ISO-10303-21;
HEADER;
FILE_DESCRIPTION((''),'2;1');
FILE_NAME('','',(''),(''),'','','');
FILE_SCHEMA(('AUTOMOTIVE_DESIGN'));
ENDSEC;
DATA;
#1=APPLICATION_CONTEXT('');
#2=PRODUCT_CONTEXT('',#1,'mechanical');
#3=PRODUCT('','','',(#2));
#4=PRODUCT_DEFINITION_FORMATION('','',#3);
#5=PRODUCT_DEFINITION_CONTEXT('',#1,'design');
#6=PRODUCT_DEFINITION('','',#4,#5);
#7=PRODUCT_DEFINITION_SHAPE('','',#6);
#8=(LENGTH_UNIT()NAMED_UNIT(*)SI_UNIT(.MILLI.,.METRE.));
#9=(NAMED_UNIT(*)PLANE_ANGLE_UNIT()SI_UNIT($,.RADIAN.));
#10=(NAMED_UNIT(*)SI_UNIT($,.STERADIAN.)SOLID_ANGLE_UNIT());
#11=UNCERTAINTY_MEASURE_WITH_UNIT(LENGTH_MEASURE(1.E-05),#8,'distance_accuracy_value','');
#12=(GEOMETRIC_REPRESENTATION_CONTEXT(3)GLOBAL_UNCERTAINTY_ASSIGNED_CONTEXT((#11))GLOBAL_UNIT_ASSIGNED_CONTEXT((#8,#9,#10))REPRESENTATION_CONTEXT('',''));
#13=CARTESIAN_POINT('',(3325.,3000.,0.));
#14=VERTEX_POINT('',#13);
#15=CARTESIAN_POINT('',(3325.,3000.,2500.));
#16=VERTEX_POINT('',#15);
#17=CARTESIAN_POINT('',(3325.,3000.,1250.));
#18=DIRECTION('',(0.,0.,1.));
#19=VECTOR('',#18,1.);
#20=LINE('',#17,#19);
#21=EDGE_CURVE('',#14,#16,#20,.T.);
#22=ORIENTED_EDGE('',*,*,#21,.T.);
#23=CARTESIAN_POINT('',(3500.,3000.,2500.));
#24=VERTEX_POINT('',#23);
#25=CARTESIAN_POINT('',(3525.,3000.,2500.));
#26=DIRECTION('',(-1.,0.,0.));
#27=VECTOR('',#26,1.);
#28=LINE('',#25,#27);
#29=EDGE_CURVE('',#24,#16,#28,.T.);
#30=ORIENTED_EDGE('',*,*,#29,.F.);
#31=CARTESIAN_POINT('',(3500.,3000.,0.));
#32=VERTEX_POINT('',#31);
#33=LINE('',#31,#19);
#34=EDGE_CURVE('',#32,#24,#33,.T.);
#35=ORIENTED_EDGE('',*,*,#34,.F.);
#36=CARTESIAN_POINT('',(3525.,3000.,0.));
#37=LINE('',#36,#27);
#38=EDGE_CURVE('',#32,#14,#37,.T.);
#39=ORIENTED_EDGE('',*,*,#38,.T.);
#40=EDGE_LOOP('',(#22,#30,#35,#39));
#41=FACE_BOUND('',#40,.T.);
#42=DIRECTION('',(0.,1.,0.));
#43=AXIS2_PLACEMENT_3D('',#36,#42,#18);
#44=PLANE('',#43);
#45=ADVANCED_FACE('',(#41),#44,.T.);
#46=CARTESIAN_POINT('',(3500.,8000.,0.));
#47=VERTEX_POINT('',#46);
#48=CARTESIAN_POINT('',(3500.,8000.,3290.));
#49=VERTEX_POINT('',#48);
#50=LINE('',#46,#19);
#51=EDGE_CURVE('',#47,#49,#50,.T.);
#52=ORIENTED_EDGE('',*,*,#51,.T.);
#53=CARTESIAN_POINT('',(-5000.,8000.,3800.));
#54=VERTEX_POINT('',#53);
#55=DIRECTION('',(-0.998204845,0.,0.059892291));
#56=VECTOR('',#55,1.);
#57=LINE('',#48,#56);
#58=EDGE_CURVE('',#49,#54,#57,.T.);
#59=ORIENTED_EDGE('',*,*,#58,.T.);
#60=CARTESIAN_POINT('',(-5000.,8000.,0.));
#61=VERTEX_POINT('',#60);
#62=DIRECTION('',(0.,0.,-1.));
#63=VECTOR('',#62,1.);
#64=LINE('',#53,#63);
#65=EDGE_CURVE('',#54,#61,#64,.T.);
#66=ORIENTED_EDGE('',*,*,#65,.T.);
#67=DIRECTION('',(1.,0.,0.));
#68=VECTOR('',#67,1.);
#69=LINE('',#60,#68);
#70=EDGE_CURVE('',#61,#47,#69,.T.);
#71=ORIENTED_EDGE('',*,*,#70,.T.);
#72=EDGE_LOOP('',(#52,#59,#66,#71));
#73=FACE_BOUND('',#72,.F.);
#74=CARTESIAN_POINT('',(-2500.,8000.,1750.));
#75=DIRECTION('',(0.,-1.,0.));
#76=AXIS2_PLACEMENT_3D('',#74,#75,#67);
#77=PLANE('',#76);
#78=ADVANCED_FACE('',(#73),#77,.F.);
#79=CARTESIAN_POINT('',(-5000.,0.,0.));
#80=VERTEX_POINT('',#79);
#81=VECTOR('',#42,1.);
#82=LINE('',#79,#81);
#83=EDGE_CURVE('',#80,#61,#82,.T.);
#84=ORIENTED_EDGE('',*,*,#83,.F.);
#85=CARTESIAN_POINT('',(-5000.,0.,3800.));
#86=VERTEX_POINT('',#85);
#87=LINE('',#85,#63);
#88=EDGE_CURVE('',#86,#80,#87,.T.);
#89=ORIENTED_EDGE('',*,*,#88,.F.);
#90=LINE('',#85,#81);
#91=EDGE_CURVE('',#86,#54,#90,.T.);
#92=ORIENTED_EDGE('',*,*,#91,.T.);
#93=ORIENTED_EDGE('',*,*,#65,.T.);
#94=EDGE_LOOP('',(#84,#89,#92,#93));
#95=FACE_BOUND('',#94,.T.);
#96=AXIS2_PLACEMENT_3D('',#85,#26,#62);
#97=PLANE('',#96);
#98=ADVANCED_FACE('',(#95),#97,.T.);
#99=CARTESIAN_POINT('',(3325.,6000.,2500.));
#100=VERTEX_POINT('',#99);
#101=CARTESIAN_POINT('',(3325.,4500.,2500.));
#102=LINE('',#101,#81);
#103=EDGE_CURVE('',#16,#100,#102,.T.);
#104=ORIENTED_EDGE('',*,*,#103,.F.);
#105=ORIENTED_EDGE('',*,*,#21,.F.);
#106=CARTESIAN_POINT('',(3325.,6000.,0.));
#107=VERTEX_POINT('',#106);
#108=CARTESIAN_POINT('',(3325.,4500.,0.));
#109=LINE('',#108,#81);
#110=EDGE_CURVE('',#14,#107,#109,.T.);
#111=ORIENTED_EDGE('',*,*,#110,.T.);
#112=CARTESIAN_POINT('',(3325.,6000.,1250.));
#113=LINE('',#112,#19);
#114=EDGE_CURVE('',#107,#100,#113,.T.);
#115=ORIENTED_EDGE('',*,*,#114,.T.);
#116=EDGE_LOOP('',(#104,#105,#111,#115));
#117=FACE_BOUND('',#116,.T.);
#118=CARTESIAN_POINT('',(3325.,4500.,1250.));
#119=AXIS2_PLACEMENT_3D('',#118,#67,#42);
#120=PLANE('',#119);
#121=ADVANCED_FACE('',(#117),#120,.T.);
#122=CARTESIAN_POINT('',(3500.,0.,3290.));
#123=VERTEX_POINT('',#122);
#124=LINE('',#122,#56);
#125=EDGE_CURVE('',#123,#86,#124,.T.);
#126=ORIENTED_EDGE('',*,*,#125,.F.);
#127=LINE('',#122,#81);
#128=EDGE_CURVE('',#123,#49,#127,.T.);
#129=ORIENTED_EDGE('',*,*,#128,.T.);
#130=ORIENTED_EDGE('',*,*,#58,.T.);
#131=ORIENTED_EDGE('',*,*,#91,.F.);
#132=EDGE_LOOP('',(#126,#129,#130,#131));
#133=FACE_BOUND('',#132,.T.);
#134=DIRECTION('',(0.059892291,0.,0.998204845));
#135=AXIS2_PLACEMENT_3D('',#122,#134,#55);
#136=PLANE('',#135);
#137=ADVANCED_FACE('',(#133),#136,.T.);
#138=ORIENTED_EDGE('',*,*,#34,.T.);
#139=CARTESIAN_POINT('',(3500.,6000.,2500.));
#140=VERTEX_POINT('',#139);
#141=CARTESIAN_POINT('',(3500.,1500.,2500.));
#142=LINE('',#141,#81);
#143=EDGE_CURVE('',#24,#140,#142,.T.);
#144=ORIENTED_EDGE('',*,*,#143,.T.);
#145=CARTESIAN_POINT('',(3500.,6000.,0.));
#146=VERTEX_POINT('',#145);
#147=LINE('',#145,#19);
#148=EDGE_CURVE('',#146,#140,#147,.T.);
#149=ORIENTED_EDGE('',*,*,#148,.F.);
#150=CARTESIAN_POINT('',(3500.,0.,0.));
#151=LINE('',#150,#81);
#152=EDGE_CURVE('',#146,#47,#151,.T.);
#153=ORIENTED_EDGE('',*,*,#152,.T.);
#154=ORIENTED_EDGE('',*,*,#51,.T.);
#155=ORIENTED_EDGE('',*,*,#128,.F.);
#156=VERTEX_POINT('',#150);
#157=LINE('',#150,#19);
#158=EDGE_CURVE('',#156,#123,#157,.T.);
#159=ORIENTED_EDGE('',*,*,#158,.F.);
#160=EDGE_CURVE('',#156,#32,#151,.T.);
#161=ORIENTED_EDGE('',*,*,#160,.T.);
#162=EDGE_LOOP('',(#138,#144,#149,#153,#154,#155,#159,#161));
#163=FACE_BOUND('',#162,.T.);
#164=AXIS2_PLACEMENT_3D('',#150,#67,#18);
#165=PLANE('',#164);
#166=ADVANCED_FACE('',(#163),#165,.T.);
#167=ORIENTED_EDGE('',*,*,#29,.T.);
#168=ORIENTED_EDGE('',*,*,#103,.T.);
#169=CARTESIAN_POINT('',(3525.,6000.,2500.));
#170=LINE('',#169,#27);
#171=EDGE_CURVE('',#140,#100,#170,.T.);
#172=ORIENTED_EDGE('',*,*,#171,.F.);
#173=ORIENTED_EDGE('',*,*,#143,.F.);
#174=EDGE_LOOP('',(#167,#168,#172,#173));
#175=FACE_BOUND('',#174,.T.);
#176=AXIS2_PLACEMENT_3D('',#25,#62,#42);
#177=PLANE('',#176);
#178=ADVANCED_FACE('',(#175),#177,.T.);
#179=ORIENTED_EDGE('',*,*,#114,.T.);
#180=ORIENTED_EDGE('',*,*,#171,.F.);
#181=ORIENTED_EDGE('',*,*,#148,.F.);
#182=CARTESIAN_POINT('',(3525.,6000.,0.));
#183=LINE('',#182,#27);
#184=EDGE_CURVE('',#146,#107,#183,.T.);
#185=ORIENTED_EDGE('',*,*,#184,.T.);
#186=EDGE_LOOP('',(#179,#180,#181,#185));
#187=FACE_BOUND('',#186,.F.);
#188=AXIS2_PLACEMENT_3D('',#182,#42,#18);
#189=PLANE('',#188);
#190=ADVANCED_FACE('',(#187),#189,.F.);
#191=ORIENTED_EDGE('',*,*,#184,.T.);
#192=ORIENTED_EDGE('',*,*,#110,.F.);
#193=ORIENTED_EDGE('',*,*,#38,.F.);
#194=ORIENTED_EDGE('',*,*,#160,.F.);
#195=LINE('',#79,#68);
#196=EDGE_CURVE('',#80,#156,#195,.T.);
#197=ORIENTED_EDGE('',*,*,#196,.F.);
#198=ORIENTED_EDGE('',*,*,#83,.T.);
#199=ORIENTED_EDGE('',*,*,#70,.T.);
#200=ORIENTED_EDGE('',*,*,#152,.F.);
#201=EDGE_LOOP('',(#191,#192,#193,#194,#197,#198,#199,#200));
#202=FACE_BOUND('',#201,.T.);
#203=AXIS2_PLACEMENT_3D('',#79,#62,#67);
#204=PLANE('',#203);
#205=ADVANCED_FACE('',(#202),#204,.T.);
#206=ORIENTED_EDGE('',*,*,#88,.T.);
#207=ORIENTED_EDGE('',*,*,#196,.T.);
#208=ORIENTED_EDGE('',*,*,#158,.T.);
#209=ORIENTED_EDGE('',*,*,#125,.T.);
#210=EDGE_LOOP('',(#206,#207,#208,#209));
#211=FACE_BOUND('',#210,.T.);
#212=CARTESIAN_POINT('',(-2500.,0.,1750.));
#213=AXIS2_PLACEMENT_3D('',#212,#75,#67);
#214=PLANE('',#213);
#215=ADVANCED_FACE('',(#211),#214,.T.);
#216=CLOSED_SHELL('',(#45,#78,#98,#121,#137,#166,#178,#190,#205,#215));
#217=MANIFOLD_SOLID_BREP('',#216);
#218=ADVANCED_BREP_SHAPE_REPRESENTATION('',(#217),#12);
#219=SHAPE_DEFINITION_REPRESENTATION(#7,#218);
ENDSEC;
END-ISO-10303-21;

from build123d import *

# Parameters (mm, degrees)
F0_W     = 5000
F0_H     = 3500
F1_DEPTH = 8000
F3_W     = 3000
F3_H     = 2500
F4_DEPTH = 200


with BuildPart() as f1:
    # F0 (on Front) → F1 (new body)
    with BuildSketch(Plane.XZ):
        with Locations((-2500, 1750)):
            Rectangle(F0_W, F0_H)
        Polygon((0, 3500), (0, 0), (3500, 0), (3500, 3290), align=None)
        Polygon((-5000, 3500), (0, 3500), (-5000, 3800), align=None)
    extrude(amount=-F1_DEPTH)

    # F3 (on offset) → F4 (cut)
    with BuildSketch(Plane.YZ.offset(3525)):
        with Locations((4500, 1250)):
            Rectangle(F3_W, F3_H)
    extrude(amount=-F4_DEPTH, mode=Mode.SUBTRACT)


solid = f1.part
